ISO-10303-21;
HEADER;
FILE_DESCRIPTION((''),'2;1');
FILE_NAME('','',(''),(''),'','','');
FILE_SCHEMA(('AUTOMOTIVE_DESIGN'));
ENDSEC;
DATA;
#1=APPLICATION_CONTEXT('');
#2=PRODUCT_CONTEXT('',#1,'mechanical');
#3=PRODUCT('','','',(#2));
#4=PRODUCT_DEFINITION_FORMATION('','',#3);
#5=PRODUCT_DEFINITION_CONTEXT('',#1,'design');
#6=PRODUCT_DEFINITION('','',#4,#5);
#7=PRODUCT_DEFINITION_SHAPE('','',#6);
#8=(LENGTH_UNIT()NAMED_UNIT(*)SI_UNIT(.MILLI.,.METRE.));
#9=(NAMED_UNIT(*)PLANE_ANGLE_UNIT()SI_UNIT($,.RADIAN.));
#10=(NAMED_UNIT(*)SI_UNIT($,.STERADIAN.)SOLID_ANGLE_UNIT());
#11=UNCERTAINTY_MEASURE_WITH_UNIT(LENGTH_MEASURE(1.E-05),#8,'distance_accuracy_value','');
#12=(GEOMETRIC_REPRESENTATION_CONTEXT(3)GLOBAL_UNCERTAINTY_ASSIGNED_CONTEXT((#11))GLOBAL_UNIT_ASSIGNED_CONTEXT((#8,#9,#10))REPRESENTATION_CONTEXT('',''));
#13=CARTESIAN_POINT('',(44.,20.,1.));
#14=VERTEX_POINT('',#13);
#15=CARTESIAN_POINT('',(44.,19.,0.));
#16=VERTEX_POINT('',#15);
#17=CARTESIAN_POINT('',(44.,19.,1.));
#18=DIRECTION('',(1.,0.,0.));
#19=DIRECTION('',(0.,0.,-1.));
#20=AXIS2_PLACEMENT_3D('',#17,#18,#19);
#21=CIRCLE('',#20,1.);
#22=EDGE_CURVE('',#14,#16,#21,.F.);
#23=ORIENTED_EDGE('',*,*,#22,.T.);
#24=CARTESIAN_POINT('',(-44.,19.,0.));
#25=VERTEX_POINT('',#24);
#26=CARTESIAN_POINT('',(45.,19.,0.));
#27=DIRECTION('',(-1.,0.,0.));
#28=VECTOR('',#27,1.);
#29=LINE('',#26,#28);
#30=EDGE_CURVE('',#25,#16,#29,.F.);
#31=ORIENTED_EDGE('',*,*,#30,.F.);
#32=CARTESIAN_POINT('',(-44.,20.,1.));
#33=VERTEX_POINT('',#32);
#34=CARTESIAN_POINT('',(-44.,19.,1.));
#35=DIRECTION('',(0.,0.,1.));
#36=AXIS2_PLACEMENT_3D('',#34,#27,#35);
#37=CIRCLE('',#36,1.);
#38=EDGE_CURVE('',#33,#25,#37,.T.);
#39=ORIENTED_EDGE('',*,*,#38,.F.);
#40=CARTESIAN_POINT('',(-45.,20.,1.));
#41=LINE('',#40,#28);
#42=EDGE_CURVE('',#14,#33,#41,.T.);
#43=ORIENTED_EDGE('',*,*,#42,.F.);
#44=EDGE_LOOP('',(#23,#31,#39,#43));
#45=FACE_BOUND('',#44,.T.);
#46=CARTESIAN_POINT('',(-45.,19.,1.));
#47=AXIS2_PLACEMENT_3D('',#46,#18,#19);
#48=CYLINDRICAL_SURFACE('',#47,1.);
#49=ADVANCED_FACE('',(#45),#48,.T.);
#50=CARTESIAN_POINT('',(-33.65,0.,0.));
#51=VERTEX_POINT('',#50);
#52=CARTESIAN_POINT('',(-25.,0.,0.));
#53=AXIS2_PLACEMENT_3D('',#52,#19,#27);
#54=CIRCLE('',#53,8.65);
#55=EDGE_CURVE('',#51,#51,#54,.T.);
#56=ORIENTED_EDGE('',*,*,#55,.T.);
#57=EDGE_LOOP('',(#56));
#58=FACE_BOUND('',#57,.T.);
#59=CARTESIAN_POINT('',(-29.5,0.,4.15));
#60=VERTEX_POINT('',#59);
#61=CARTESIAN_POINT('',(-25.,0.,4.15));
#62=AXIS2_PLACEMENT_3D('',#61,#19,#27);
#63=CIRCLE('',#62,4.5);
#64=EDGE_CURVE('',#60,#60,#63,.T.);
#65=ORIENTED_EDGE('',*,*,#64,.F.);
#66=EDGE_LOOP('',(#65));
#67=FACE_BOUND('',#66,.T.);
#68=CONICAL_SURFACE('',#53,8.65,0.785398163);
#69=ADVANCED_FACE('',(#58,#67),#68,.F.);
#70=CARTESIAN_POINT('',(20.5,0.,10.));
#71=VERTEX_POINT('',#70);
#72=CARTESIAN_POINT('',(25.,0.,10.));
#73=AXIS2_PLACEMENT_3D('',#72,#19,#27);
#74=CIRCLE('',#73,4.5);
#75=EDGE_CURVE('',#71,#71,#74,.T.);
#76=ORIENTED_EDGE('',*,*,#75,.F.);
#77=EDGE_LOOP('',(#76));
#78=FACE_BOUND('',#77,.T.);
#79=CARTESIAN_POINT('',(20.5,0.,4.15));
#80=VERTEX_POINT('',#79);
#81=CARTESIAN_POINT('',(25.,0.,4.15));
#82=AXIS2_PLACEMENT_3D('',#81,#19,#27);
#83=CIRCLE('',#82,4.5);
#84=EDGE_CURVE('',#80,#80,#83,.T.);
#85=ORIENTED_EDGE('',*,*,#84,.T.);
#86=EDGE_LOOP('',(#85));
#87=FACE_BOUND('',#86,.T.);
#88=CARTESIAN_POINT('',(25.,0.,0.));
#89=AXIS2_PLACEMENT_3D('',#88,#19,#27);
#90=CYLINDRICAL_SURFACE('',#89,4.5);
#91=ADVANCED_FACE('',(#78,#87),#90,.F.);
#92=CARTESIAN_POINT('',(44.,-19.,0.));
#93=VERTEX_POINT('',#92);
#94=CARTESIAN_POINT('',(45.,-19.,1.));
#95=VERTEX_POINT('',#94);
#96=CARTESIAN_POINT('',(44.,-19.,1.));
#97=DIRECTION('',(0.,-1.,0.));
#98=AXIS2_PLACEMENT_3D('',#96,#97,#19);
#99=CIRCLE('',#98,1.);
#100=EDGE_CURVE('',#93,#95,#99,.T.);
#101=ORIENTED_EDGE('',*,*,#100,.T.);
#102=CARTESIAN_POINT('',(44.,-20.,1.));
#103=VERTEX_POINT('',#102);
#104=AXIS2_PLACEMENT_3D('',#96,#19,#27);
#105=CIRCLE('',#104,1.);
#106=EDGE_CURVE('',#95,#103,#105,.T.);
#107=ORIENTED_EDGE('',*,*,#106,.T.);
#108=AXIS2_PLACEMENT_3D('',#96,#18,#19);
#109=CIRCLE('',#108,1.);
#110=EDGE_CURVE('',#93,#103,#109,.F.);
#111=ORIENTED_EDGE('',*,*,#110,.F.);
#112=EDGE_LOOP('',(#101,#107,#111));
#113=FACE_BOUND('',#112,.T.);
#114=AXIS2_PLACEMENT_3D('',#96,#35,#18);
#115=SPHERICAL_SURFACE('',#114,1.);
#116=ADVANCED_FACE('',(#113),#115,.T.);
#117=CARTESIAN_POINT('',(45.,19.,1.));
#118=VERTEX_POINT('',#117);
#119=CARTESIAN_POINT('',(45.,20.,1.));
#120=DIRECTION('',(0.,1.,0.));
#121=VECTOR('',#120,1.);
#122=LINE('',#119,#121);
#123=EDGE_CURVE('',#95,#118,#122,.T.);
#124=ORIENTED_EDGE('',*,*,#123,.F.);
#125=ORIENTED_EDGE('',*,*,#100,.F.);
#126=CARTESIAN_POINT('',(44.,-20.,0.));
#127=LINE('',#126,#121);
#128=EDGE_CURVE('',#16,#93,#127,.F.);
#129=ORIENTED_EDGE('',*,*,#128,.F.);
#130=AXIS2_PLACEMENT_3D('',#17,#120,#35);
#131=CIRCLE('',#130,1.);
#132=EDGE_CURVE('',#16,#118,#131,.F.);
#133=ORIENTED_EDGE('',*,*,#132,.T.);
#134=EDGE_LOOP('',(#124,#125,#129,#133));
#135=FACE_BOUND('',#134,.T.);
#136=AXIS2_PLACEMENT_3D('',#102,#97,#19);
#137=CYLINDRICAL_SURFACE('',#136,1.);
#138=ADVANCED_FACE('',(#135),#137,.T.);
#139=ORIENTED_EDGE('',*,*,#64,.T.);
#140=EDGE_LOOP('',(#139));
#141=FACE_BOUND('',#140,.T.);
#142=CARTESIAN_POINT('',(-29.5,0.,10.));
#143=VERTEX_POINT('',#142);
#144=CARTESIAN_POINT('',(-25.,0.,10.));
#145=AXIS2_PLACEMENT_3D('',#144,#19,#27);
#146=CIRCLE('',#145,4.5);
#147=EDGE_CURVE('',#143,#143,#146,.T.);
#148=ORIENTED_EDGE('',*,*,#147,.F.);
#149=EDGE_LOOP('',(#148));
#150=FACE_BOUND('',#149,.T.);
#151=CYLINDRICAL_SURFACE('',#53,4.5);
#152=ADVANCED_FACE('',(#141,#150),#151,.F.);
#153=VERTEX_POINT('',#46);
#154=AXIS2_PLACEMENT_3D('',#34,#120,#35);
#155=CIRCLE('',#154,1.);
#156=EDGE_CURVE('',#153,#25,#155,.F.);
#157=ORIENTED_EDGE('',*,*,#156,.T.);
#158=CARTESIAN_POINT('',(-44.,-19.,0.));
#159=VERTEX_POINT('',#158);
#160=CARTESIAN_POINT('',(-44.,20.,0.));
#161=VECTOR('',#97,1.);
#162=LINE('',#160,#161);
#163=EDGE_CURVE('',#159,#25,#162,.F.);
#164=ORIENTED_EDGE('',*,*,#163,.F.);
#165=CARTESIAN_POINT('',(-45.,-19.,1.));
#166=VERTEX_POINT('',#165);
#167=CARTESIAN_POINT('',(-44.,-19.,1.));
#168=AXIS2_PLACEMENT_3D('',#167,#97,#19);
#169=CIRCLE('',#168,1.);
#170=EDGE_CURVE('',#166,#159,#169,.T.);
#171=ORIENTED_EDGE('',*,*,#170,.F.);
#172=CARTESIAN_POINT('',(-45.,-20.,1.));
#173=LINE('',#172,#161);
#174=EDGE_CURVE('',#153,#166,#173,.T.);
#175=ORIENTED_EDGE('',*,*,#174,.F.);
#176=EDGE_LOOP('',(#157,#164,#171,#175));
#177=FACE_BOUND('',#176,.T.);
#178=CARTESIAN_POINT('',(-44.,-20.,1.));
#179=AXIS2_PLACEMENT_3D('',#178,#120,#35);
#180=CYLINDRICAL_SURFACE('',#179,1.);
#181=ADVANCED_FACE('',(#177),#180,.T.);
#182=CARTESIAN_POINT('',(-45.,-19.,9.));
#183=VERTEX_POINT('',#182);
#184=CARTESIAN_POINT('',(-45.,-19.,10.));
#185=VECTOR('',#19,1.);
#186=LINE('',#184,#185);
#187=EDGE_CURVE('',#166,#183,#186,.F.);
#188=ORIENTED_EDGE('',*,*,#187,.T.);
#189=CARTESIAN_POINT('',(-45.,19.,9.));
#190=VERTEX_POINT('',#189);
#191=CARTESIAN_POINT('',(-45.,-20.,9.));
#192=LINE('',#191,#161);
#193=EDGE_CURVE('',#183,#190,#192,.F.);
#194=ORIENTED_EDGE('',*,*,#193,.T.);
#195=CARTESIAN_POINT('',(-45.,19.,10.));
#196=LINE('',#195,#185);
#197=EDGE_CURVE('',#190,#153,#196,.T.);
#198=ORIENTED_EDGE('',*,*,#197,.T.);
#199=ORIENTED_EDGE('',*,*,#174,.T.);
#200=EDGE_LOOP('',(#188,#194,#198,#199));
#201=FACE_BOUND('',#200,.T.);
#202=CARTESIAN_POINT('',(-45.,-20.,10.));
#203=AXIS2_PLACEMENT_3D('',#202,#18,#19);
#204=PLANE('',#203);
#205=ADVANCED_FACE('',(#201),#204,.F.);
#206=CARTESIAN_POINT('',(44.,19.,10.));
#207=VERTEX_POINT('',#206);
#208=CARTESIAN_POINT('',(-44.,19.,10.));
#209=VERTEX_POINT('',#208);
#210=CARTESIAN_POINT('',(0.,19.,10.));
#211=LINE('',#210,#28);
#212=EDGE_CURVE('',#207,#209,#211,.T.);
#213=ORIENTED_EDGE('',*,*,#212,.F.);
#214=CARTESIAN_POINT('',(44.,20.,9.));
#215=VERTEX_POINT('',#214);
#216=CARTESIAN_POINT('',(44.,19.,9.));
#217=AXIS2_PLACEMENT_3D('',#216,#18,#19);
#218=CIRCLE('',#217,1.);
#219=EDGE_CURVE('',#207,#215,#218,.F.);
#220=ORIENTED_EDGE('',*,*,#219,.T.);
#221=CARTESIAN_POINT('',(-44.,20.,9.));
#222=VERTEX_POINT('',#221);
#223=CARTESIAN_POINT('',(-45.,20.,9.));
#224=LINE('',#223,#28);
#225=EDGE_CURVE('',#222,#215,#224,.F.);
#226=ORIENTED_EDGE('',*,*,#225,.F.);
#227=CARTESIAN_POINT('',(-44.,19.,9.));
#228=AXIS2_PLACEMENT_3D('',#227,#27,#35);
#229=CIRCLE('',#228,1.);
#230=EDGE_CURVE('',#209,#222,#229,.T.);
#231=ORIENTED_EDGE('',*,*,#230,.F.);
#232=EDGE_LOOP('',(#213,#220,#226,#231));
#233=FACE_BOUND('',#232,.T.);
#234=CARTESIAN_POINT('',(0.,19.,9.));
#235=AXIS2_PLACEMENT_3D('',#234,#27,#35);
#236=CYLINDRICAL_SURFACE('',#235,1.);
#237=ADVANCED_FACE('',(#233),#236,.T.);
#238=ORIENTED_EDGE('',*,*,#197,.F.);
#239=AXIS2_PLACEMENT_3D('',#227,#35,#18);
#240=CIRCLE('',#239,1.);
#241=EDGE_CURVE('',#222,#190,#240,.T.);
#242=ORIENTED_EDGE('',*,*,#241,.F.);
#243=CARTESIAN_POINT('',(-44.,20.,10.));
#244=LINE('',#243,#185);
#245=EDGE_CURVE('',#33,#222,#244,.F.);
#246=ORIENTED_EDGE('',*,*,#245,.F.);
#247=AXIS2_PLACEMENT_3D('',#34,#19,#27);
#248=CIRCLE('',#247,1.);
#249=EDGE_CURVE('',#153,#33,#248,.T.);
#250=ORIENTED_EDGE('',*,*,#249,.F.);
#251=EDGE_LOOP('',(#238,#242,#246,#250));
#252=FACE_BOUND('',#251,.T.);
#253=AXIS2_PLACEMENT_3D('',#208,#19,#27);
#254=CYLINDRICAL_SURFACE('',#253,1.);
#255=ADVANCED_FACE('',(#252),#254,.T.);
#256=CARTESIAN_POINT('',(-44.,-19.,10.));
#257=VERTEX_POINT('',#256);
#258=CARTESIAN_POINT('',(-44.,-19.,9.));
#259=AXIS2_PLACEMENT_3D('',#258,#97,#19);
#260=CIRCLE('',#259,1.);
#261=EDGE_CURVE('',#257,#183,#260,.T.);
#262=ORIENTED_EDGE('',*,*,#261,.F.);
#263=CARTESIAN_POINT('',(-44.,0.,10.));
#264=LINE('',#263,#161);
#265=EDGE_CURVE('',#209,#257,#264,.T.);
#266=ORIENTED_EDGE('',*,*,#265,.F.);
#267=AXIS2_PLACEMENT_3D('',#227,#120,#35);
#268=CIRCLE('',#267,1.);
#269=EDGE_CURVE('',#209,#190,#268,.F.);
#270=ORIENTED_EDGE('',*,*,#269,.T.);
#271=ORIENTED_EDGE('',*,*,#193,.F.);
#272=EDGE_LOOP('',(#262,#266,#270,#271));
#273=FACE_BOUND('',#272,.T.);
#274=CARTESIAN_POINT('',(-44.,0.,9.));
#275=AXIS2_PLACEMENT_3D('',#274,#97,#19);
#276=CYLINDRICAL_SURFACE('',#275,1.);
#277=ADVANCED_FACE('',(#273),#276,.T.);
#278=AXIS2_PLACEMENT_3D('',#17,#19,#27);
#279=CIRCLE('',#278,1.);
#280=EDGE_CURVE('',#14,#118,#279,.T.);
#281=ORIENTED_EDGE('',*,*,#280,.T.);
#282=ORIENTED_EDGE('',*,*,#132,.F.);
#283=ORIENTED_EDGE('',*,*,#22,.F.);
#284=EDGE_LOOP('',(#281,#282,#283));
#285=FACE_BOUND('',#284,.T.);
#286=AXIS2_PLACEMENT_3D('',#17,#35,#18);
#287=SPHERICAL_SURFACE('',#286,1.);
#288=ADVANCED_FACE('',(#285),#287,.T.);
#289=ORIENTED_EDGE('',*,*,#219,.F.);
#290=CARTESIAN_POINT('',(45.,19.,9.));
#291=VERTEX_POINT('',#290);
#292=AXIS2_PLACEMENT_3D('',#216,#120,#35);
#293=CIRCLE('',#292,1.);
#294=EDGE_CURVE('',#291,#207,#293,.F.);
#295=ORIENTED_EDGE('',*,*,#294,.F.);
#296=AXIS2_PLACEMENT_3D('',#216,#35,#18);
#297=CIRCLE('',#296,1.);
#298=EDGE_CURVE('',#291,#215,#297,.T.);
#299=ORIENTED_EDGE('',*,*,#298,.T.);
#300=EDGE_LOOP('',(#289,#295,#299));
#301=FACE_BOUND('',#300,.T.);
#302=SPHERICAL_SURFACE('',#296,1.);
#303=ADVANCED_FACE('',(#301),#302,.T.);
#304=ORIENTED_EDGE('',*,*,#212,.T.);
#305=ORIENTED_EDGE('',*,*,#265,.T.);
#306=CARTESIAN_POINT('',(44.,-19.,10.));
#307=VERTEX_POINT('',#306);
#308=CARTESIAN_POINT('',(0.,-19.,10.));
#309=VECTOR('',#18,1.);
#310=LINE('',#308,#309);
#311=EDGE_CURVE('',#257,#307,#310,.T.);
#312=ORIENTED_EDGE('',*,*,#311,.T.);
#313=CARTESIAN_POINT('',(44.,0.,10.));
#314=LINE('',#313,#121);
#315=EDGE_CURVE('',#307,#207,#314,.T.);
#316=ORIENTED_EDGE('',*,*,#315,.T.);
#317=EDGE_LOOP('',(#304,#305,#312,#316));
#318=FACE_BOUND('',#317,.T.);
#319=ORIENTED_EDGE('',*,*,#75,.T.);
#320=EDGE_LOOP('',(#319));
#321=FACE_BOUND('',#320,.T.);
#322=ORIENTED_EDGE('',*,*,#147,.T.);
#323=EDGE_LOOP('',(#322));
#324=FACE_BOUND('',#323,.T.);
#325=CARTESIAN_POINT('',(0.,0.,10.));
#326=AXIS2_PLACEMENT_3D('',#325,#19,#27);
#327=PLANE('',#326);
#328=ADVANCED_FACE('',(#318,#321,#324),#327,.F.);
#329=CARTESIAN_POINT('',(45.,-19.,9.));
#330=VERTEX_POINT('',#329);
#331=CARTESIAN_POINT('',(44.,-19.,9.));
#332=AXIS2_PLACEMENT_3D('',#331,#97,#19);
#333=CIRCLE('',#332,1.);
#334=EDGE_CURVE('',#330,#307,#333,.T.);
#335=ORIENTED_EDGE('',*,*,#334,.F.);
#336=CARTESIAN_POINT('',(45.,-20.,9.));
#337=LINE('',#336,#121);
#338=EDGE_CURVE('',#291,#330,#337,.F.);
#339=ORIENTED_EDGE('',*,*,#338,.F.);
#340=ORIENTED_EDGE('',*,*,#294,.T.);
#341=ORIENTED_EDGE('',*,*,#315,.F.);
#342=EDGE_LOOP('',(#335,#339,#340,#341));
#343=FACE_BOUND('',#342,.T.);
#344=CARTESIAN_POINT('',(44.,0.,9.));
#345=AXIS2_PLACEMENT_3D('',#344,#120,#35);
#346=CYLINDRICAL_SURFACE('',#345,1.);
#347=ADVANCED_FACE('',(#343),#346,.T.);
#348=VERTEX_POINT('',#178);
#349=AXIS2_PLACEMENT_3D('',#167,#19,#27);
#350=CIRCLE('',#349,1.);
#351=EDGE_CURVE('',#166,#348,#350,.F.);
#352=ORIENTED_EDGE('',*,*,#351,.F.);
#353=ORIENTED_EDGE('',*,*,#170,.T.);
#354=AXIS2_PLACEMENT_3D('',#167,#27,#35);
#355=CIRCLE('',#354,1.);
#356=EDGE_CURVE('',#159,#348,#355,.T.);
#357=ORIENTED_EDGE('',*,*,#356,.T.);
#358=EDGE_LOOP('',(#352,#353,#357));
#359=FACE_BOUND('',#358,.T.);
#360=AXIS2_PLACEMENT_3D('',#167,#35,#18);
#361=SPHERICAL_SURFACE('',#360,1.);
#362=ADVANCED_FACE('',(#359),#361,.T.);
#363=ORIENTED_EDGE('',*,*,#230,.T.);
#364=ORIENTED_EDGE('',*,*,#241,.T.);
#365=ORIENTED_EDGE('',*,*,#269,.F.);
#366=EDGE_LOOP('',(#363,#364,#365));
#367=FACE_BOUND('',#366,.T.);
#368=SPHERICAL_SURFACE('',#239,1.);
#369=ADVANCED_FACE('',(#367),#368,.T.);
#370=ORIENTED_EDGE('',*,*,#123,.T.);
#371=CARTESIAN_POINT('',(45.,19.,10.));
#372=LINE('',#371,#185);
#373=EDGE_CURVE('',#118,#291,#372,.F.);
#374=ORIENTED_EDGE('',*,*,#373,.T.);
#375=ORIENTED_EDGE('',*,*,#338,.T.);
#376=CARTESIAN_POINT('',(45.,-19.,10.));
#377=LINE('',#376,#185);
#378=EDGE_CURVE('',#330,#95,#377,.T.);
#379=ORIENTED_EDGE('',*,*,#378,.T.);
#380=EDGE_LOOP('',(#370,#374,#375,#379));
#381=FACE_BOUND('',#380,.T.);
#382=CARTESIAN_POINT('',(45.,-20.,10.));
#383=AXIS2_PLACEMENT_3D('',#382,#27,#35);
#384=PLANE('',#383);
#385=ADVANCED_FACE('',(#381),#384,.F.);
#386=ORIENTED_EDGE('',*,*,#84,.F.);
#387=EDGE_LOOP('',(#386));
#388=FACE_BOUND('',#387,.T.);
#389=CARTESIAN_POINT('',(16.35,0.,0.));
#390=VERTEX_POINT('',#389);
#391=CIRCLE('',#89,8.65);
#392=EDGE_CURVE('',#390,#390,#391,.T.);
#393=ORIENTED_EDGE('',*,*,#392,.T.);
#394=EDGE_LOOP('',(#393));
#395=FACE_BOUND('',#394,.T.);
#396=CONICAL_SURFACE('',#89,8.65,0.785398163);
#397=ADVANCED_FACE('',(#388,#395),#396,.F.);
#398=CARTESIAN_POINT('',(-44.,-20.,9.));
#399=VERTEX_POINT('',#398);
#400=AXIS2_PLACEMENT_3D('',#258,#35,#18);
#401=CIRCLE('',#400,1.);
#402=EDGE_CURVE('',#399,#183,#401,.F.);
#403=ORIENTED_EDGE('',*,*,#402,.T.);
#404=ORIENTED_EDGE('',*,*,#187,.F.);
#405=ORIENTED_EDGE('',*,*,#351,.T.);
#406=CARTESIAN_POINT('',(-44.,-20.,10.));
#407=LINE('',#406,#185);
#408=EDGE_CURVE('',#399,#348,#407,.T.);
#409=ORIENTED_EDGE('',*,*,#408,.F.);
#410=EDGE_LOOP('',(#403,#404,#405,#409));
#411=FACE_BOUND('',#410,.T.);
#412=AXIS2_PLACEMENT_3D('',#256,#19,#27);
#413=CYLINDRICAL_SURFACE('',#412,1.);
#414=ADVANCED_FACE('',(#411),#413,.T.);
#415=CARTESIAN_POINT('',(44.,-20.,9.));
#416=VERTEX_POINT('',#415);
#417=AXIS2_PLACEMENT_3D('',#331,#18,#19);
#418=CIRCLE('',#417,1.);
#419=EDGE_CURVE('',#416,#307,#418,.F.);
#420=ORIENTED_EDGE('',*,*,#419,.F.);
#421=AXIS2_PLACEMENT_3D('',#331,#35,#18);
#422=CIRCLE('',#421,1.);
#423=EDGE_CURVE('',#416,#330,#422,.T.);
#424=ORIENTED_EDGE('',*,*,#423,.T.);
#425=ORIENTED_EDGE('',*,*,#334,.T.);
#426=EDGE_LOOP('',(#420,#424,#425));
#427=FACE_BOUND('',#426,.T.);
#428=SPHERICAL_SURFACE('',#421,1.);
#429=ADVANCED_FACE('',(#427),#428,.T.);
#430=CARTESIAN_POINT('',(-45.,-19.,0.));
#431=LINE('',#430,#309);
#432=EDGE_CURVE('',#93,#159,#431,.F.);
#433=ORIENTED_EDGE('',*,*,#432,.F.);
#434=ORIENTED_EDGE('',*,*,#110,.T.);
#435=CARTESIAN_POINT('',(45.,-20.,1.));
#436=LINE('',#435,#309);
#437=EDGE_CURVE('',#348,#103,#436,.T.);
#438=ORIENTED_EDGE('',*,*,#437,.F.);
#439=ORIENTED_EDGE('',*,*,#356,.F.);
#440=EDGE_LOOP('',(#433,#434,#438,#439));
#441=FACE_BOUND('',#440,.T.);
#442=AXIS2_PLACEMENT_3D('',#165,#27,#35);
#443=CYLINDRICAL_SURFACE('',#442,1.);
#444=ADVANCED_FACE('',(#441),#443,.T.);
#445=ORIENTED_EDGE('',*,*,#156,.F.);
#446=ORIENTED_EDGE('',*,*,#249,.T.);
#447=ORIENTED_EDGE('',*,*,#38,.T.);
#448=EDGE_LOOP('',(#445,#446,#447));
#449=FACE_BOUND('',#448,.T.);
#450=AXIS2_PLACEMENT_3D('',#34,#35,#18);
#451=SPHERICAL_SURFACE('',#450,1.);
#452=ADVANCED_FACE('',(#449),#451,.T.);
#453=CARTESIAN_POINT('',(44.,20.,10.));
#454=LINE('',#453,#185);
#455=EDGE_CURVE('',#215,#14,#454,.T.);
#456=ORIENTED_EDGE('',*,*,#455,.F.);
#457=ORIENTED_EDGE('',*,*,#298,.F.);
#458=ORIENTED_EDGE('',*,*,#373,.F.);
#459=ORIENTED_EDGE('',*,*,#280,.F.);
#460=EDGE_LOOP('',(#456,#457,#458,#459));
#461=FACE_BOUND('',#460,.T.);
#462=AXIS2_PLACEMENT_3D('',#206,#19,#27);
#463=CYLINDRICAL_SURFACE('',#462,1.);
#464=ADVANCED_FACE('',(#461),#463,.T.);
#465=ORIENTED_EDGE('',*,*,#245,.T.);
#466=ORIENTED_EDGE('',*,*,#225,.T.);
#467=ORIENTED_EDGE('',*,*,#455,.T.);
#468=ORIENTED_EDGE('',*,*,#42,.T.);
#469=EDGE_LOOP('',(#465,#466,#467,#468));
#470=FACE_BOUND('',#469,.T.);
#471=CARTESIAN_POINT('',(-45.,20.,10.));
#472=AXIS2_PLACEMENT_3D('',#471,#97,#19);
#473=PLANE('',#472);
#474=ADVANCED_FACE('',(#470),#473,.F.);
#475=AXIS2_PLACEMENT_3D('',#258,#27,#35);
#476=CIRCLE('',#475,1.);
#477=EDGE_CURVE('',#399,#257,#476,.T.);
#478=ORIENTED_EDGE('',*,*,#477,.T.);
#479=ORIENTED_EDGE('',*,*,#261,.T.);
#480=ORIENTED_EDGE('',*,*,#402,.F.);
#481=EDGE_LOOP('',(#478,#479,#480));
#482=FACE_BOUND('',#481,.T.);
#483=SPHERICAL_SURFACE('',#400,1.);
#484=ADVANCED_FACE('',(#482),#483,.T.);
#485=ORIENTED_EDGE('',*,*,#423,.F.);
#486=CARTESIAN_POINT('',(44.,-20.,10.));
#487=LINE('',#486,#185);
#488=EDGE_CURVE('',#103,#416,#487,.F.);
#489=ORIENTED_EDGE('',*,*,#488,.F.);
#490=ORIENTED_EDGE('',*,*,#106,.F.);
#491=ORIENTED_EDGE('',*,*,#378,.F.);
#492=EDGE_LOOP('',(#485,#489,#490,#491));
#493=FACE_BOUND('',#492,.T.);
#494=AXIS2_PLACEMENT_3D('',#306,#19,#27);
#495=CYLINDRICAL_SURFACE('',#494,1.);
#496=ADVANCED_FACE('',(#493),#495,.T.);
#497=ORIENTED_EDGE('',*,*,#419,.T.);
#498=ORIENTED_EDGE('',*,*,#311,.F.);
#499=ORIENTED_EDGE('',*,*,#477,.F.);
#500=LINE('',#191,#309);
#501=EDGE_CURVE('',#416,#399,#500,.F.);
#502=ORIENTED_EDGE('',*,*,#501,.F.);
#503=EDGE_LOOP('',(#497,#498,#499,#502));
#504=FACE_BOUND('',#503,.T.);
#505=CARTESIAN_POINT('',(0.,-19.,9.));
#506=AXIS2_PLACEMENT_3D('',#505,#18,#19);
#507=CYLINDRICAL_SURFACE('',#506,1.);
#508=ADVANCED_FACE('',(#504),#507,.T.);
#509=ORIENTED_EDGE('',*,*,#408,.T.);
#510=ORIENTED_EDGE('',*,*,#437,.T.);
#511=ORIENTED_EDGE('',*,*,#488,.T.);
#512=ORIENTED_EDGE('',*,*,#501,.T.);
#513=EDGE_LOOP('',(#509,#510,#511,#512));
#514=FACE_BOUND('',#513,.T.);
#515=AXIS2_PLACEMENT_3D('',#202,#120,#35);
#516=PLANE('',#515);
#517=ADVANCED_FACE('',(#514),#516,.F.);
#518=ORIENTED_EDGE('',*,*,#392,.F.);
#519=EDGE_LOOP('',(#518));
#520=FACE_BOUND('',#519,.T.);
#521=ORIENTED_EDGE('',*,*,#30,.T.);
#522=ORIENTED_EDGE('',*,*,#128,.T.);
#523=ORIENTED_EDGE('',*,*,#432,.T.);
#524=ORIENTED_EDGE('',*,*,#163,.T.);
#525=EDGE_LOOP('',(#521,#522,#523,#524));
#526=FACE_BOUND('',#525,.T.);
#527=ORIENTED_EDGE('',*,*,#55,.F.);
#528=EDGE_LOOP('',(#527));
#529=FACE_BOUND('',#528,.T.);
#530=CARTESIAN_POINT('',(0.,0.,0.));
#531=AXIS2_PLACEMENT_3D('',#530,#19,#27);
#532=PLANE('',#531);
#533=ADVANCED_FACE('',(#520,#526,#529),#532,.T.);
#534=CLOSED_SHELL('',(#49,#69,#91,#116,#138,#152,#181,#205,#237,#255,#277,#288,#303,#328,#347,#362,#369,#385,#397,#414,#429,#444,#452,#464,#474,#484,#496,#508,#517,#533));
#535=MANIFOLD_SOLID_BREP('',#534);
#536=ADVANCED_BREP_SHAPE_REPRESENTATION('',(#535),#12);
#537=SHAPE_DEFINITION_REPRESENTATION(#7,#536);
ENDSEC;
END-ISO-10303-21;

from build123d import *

# Parameters (mm, degrees)
SKETCH1_W                                       = 90
SKETCH1_H                                       = 40
BOSS_EXTRUDE1_DEPTH                             = 10
FILLET1_R                                       = 1
CSK_FOR_M8_FLAT_HEAD_MACHINE_SCREW1_D           = 9
CSK_FOR_M8_FLAT_HEAD_MACHINE_SCREW1_CSINK_D     = 17.3
CSK_FOR_M8_FLAT_HEAD_MACHINE_SCREW1_CSINK_ANGLE = 90


with BuildPart() as part:
    # Sketch1 → Boss-Extrude1 (new body)
    with BuildSketch(Plane.XY):
        Rectangle(SKETCH1_W, SKETCH1_H)
    extrude(amount=BOSS_EXTRUDE1_DEPTH)

    # Fillet1
    fillet1_edges = [part.edges().sort_by_distance(p)[0] for p in [
        (-45, 0, 10),
        (0, -20, 10),
        (45, 0, 10),
        (0, -20, 0),
        (-45, 0, 0),
        (0, 20, 0),
        (45, 0, 0),
        (0, 20, 10),
        (45, -20, 5),
        (-45, -20, 5),
        (-45, 20, 5),
        (45, 20, 5),
    ]]
    fillet(fillet1_edges, radius=FILLET1_R)

    # CSK for M8 Flat Head Machine Screw1 (through all)
    with Locations(Plane(origin=(0, 0, 0), x_dir=(-1, 0, 0), z_dir=(0, 0, -1))):
        with Locations((25, 0), (-25, 0)):
            CounterSinkHole(CSK_FOR_M8_FLAT_HEAD_MACHINE_SCREW1_D / 2, CSK_FOR_M8_FLAT_HEAD_MACHINE_SCREW1_CSINK_D / 2, counter_sink_angle=CSK_FOR_M8_FLAT_HEAD_MACHINE_SCREW1_CSINK_ANGLE)


solid = part.part
